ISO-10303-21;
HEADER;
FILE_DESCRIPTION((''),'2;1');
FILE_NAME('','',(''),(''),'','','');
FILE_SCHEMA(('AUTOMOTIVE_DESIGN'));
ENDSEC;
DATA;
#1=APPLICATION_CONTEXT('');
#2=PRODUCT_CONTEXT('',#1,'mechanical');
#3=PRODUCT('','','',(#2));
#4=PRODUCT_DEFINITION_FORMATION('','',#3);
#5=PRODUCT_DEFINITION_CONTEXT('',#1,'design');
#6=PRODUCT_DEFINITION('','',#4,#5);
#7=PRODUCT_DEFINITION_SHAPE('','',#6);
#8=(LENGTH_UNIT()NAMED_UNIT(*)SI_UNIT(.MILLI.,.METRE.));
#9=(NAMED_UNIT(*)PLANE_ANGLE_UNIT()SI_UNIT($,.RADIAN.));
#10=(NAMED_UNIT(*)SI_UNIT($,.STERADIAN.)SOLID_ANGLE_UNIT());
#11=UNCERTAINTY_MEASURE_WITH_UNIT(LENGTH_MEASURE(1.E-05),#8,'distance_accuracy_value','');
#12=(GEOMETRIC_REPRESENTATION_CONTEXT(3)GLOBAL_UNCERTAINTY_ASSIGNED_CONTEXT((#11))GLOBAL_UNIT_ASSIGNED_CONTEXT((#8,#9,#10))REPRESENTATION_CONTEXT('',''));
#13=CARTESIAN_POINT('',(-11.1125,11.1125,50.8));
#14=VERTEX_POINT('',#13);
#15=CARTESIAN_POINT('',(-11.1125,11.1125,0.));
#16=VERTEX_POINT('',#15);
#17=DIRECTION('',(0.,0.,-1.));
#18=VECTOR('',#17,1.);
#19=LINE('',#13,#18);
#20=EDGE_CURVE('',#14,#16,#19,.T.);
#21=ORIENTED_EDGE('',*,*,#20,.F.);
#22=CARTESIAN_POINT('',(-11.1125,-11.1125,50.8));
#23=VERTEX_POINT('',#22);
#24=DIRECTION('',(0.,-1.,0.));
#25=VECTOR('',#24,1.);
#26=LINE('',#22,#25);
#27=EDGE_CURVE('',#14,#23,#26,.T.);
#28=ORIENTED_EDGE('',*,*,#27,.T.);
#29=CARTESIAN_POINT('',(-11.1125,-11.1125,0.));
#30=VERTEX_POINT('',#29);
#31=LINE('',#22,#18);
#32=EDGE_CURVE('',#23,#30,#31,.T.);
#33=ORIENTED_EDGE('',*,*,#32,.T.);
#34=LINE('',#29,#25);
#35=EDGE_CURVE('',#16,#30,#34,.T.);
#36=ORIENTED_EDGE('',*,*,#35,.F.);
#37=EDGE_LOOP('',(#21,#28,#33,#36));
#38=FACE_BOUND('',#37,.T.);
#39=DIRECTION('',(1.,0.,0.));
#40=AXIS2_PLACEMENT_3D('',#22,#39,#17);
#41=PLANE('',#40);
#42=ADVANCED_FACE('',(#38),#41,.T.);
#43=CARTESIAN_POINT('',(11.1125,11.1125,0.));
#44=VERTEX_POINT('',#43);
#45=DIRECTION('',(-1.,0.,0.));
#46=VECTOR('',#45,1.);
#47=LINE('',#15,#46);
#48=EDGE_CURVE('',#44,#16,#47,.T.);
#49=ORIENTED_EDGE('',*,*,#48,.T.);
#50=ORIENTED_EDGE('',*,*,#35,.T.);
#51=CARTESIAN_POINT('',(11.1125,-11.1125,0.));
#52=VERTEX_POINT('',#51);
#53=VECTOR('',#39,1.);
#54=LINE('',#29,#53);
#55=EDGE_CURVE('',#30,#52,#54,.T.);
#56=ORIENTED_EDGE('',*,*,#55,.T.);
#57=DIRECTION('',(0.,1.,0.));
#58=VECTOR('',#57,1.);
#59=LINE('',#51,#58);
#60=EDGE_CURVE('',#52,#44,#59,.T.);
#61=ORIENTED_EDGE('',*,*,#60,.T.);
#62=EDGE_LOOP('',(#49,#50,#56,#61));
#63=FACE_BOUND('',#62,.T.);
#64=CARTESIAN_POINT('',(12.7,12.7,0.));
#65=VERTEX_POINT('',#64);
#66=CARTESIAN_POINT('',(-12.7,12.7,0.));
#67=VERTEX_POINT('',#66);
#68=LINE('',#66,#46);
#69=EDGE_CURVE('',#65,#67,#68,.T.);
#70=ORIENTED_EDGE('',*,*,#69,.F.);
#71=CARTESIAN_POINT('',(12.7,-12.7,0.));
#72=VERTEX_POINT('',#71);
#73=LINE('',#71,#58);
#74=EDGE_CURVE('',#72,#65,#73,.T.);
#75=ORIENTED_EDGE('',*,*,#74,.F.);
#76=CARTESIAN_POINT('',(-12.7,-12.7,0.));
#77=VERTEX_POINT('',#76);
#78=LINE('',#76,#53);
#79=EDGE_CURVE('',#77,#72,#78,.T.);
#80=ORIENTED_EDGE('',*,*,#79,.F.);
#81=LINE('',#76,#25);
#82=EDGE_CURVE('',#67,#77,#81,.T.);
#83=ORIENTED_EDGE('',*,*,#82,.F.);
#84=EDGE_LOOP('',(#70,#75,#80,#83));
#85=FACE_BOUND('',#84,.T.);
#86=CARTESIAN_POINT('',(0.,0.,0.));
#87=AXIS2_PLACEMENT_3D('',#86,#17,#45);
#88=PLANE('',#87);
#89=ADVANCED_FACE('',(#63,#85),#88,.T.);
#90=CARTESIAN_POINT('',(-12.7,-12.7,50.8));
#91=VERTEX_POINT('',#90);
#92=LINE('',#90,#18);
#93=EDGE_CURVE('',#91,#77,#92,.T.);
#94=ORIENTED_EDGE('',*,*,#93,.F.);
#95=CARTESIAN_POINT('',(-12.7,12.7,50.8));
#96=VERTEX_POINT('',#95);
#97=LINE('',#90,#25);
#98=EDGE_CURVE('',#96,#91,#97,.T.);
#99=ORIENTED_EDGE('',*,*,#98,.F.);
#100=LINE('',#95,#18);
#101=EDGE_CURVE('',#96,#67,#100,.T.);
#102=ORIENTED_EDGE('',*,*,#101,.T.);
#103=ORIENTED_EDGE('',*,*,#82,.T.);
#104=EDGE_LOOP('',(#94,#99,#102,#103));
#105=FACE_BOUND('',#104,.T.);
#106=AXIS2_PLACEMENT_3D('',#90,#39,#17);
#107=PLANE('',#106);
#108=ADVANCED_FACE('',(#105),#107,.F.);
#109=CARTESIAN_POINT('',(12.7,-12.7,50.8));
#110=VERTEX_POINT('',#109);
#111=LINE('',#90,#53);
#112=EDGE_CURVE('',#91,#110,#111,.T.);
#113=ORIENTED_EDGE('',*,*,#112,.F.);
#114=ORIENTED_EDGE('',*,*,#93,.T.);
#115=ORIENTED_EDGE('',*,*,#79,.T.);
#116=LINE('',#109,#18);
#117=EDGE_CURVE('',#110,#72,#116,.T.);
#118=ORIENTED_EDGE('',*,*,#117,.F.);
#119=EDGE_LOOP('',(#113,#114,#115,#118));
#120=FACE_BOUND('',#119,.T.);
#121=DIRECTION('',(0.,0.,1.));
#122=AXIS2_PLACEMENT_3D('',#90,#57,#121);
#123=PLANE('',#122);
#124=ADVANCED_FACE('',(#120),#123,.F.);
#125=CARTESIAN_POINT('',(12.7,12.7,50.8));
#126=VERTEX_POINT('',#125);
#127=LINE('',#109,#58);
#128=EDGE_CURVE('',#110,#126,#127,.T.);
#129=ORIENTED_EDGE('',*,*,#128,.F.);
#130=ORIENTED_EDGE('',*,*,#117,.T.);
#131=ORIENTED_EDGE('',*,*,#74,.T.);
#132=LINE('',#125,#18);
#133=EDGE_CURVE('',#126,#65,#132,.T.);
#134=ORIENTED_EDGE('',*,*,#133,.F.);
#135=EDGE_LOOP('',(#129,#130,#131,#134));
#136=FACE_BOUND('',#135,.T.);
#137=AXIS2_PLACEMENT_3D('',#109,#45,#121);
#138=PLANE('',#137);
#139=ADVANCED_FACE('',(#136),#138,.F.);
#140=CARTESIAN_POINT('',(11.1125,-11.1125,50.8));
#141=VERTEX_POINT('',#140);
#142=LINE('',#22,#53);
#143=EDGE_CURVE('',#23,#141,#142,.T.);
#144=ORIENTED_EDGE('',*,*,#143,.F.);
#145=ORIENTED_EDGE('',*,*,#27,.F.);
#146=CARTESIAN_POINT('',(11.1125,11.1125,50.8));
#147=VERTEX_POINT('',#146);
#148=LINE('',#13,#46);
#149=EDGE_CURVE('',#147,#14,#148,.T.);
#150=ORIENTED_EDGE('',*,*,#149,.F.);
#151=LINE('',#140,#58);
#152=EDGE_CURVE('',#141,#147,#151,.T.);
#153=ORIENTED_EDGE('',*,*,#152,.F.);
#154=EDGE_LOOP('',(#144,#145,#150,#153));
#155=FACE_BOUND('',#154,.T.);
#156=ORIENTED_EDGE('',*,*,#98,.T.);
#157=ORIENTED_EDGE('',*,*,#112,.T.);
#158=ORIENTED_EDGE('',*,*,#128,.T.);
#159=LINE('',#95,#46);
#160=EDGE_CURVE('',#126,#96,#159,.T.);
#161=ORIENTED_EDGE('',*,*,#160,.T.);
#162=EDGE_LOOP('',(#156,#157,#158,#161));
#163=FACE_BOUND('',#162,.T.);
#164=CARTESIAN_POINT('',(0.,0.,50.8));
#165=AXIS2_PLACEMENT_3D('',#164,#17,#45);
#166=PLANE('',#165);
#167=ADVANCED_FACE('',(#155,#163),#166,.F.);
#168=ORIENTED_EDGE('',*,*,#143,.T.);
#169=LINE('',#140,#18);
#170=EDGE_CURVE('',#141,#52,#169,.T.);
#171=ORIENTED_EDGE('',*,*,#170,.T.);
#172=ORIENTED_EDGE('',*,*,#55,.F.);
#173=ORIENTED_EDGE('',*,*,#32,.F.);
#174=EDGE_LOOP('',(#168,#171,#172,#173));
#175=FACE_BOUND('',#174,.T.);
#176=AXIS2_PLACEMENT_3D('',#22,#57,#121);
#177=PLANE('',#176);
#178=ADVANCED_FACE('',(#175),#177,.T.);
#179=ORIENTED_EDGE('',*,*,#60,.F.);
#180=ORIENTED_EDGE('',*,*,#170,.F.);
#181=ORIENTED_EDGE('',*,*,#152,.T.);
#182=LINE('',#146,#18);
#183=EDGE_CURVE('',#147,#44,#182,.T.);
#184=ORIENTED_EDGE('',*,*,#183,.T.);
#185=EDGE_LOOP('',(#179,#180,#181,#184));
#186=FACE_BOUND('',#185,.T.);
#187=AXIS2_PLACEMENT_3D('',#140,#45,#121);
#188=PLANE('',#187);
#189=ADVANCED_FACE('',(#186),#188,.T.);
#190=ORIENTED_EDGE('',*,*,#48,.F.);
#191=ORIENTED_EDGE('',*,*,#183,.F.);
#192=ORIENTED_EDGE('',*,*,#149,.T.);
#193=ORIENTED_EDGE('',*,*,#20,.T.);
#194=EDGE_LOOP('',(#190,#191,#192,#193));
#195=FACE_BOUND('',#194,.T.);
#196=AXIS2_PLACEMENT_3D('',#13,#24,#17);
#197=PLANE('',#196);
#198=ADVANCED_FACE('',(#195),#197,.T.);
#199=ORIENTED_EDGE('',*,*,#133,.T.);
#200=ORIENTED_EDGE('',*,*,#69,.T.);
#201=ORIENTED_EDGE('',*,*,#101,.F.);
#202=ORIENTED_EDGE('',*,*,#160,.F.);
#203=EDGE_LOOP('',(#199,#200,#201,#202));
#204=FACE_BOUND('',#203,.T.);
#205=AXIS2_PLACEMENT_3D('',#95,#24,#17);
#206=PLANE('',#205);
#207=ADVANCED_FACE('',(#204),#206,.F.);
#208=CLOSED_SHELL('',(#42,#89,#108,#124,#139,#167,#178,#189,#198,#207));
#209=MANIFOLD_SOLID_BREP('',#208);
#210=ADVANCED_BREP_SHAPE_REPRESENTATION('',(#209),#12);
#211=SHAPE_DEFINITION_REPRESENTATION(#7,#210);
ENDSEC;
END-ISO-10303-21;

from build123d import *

# Parameters (mm, degrees)
SKETCH1_W           = 25.4
SKETCH1_H           = 25.4
SKETCH1_W_2         = 22.225
SKETCH1_H_2         = 22.225
BOSS_EXTRUDE1_DEPTH = 50.8


with BuildPart() as part:
    # Sketch1 → Boss-Extrude1 (new body)
    with BuildSketch(Plane.XY):
        Rectangle(SKETCH1_W, SKETCH1_H)
        Rectangle(SKETCH1_W_2, SKETCH1_H_2, mode=Mode.SUBTRACT)
    extrude(amount=BOSS_EXTRUDE1_DEPTH)


solid = part.part
